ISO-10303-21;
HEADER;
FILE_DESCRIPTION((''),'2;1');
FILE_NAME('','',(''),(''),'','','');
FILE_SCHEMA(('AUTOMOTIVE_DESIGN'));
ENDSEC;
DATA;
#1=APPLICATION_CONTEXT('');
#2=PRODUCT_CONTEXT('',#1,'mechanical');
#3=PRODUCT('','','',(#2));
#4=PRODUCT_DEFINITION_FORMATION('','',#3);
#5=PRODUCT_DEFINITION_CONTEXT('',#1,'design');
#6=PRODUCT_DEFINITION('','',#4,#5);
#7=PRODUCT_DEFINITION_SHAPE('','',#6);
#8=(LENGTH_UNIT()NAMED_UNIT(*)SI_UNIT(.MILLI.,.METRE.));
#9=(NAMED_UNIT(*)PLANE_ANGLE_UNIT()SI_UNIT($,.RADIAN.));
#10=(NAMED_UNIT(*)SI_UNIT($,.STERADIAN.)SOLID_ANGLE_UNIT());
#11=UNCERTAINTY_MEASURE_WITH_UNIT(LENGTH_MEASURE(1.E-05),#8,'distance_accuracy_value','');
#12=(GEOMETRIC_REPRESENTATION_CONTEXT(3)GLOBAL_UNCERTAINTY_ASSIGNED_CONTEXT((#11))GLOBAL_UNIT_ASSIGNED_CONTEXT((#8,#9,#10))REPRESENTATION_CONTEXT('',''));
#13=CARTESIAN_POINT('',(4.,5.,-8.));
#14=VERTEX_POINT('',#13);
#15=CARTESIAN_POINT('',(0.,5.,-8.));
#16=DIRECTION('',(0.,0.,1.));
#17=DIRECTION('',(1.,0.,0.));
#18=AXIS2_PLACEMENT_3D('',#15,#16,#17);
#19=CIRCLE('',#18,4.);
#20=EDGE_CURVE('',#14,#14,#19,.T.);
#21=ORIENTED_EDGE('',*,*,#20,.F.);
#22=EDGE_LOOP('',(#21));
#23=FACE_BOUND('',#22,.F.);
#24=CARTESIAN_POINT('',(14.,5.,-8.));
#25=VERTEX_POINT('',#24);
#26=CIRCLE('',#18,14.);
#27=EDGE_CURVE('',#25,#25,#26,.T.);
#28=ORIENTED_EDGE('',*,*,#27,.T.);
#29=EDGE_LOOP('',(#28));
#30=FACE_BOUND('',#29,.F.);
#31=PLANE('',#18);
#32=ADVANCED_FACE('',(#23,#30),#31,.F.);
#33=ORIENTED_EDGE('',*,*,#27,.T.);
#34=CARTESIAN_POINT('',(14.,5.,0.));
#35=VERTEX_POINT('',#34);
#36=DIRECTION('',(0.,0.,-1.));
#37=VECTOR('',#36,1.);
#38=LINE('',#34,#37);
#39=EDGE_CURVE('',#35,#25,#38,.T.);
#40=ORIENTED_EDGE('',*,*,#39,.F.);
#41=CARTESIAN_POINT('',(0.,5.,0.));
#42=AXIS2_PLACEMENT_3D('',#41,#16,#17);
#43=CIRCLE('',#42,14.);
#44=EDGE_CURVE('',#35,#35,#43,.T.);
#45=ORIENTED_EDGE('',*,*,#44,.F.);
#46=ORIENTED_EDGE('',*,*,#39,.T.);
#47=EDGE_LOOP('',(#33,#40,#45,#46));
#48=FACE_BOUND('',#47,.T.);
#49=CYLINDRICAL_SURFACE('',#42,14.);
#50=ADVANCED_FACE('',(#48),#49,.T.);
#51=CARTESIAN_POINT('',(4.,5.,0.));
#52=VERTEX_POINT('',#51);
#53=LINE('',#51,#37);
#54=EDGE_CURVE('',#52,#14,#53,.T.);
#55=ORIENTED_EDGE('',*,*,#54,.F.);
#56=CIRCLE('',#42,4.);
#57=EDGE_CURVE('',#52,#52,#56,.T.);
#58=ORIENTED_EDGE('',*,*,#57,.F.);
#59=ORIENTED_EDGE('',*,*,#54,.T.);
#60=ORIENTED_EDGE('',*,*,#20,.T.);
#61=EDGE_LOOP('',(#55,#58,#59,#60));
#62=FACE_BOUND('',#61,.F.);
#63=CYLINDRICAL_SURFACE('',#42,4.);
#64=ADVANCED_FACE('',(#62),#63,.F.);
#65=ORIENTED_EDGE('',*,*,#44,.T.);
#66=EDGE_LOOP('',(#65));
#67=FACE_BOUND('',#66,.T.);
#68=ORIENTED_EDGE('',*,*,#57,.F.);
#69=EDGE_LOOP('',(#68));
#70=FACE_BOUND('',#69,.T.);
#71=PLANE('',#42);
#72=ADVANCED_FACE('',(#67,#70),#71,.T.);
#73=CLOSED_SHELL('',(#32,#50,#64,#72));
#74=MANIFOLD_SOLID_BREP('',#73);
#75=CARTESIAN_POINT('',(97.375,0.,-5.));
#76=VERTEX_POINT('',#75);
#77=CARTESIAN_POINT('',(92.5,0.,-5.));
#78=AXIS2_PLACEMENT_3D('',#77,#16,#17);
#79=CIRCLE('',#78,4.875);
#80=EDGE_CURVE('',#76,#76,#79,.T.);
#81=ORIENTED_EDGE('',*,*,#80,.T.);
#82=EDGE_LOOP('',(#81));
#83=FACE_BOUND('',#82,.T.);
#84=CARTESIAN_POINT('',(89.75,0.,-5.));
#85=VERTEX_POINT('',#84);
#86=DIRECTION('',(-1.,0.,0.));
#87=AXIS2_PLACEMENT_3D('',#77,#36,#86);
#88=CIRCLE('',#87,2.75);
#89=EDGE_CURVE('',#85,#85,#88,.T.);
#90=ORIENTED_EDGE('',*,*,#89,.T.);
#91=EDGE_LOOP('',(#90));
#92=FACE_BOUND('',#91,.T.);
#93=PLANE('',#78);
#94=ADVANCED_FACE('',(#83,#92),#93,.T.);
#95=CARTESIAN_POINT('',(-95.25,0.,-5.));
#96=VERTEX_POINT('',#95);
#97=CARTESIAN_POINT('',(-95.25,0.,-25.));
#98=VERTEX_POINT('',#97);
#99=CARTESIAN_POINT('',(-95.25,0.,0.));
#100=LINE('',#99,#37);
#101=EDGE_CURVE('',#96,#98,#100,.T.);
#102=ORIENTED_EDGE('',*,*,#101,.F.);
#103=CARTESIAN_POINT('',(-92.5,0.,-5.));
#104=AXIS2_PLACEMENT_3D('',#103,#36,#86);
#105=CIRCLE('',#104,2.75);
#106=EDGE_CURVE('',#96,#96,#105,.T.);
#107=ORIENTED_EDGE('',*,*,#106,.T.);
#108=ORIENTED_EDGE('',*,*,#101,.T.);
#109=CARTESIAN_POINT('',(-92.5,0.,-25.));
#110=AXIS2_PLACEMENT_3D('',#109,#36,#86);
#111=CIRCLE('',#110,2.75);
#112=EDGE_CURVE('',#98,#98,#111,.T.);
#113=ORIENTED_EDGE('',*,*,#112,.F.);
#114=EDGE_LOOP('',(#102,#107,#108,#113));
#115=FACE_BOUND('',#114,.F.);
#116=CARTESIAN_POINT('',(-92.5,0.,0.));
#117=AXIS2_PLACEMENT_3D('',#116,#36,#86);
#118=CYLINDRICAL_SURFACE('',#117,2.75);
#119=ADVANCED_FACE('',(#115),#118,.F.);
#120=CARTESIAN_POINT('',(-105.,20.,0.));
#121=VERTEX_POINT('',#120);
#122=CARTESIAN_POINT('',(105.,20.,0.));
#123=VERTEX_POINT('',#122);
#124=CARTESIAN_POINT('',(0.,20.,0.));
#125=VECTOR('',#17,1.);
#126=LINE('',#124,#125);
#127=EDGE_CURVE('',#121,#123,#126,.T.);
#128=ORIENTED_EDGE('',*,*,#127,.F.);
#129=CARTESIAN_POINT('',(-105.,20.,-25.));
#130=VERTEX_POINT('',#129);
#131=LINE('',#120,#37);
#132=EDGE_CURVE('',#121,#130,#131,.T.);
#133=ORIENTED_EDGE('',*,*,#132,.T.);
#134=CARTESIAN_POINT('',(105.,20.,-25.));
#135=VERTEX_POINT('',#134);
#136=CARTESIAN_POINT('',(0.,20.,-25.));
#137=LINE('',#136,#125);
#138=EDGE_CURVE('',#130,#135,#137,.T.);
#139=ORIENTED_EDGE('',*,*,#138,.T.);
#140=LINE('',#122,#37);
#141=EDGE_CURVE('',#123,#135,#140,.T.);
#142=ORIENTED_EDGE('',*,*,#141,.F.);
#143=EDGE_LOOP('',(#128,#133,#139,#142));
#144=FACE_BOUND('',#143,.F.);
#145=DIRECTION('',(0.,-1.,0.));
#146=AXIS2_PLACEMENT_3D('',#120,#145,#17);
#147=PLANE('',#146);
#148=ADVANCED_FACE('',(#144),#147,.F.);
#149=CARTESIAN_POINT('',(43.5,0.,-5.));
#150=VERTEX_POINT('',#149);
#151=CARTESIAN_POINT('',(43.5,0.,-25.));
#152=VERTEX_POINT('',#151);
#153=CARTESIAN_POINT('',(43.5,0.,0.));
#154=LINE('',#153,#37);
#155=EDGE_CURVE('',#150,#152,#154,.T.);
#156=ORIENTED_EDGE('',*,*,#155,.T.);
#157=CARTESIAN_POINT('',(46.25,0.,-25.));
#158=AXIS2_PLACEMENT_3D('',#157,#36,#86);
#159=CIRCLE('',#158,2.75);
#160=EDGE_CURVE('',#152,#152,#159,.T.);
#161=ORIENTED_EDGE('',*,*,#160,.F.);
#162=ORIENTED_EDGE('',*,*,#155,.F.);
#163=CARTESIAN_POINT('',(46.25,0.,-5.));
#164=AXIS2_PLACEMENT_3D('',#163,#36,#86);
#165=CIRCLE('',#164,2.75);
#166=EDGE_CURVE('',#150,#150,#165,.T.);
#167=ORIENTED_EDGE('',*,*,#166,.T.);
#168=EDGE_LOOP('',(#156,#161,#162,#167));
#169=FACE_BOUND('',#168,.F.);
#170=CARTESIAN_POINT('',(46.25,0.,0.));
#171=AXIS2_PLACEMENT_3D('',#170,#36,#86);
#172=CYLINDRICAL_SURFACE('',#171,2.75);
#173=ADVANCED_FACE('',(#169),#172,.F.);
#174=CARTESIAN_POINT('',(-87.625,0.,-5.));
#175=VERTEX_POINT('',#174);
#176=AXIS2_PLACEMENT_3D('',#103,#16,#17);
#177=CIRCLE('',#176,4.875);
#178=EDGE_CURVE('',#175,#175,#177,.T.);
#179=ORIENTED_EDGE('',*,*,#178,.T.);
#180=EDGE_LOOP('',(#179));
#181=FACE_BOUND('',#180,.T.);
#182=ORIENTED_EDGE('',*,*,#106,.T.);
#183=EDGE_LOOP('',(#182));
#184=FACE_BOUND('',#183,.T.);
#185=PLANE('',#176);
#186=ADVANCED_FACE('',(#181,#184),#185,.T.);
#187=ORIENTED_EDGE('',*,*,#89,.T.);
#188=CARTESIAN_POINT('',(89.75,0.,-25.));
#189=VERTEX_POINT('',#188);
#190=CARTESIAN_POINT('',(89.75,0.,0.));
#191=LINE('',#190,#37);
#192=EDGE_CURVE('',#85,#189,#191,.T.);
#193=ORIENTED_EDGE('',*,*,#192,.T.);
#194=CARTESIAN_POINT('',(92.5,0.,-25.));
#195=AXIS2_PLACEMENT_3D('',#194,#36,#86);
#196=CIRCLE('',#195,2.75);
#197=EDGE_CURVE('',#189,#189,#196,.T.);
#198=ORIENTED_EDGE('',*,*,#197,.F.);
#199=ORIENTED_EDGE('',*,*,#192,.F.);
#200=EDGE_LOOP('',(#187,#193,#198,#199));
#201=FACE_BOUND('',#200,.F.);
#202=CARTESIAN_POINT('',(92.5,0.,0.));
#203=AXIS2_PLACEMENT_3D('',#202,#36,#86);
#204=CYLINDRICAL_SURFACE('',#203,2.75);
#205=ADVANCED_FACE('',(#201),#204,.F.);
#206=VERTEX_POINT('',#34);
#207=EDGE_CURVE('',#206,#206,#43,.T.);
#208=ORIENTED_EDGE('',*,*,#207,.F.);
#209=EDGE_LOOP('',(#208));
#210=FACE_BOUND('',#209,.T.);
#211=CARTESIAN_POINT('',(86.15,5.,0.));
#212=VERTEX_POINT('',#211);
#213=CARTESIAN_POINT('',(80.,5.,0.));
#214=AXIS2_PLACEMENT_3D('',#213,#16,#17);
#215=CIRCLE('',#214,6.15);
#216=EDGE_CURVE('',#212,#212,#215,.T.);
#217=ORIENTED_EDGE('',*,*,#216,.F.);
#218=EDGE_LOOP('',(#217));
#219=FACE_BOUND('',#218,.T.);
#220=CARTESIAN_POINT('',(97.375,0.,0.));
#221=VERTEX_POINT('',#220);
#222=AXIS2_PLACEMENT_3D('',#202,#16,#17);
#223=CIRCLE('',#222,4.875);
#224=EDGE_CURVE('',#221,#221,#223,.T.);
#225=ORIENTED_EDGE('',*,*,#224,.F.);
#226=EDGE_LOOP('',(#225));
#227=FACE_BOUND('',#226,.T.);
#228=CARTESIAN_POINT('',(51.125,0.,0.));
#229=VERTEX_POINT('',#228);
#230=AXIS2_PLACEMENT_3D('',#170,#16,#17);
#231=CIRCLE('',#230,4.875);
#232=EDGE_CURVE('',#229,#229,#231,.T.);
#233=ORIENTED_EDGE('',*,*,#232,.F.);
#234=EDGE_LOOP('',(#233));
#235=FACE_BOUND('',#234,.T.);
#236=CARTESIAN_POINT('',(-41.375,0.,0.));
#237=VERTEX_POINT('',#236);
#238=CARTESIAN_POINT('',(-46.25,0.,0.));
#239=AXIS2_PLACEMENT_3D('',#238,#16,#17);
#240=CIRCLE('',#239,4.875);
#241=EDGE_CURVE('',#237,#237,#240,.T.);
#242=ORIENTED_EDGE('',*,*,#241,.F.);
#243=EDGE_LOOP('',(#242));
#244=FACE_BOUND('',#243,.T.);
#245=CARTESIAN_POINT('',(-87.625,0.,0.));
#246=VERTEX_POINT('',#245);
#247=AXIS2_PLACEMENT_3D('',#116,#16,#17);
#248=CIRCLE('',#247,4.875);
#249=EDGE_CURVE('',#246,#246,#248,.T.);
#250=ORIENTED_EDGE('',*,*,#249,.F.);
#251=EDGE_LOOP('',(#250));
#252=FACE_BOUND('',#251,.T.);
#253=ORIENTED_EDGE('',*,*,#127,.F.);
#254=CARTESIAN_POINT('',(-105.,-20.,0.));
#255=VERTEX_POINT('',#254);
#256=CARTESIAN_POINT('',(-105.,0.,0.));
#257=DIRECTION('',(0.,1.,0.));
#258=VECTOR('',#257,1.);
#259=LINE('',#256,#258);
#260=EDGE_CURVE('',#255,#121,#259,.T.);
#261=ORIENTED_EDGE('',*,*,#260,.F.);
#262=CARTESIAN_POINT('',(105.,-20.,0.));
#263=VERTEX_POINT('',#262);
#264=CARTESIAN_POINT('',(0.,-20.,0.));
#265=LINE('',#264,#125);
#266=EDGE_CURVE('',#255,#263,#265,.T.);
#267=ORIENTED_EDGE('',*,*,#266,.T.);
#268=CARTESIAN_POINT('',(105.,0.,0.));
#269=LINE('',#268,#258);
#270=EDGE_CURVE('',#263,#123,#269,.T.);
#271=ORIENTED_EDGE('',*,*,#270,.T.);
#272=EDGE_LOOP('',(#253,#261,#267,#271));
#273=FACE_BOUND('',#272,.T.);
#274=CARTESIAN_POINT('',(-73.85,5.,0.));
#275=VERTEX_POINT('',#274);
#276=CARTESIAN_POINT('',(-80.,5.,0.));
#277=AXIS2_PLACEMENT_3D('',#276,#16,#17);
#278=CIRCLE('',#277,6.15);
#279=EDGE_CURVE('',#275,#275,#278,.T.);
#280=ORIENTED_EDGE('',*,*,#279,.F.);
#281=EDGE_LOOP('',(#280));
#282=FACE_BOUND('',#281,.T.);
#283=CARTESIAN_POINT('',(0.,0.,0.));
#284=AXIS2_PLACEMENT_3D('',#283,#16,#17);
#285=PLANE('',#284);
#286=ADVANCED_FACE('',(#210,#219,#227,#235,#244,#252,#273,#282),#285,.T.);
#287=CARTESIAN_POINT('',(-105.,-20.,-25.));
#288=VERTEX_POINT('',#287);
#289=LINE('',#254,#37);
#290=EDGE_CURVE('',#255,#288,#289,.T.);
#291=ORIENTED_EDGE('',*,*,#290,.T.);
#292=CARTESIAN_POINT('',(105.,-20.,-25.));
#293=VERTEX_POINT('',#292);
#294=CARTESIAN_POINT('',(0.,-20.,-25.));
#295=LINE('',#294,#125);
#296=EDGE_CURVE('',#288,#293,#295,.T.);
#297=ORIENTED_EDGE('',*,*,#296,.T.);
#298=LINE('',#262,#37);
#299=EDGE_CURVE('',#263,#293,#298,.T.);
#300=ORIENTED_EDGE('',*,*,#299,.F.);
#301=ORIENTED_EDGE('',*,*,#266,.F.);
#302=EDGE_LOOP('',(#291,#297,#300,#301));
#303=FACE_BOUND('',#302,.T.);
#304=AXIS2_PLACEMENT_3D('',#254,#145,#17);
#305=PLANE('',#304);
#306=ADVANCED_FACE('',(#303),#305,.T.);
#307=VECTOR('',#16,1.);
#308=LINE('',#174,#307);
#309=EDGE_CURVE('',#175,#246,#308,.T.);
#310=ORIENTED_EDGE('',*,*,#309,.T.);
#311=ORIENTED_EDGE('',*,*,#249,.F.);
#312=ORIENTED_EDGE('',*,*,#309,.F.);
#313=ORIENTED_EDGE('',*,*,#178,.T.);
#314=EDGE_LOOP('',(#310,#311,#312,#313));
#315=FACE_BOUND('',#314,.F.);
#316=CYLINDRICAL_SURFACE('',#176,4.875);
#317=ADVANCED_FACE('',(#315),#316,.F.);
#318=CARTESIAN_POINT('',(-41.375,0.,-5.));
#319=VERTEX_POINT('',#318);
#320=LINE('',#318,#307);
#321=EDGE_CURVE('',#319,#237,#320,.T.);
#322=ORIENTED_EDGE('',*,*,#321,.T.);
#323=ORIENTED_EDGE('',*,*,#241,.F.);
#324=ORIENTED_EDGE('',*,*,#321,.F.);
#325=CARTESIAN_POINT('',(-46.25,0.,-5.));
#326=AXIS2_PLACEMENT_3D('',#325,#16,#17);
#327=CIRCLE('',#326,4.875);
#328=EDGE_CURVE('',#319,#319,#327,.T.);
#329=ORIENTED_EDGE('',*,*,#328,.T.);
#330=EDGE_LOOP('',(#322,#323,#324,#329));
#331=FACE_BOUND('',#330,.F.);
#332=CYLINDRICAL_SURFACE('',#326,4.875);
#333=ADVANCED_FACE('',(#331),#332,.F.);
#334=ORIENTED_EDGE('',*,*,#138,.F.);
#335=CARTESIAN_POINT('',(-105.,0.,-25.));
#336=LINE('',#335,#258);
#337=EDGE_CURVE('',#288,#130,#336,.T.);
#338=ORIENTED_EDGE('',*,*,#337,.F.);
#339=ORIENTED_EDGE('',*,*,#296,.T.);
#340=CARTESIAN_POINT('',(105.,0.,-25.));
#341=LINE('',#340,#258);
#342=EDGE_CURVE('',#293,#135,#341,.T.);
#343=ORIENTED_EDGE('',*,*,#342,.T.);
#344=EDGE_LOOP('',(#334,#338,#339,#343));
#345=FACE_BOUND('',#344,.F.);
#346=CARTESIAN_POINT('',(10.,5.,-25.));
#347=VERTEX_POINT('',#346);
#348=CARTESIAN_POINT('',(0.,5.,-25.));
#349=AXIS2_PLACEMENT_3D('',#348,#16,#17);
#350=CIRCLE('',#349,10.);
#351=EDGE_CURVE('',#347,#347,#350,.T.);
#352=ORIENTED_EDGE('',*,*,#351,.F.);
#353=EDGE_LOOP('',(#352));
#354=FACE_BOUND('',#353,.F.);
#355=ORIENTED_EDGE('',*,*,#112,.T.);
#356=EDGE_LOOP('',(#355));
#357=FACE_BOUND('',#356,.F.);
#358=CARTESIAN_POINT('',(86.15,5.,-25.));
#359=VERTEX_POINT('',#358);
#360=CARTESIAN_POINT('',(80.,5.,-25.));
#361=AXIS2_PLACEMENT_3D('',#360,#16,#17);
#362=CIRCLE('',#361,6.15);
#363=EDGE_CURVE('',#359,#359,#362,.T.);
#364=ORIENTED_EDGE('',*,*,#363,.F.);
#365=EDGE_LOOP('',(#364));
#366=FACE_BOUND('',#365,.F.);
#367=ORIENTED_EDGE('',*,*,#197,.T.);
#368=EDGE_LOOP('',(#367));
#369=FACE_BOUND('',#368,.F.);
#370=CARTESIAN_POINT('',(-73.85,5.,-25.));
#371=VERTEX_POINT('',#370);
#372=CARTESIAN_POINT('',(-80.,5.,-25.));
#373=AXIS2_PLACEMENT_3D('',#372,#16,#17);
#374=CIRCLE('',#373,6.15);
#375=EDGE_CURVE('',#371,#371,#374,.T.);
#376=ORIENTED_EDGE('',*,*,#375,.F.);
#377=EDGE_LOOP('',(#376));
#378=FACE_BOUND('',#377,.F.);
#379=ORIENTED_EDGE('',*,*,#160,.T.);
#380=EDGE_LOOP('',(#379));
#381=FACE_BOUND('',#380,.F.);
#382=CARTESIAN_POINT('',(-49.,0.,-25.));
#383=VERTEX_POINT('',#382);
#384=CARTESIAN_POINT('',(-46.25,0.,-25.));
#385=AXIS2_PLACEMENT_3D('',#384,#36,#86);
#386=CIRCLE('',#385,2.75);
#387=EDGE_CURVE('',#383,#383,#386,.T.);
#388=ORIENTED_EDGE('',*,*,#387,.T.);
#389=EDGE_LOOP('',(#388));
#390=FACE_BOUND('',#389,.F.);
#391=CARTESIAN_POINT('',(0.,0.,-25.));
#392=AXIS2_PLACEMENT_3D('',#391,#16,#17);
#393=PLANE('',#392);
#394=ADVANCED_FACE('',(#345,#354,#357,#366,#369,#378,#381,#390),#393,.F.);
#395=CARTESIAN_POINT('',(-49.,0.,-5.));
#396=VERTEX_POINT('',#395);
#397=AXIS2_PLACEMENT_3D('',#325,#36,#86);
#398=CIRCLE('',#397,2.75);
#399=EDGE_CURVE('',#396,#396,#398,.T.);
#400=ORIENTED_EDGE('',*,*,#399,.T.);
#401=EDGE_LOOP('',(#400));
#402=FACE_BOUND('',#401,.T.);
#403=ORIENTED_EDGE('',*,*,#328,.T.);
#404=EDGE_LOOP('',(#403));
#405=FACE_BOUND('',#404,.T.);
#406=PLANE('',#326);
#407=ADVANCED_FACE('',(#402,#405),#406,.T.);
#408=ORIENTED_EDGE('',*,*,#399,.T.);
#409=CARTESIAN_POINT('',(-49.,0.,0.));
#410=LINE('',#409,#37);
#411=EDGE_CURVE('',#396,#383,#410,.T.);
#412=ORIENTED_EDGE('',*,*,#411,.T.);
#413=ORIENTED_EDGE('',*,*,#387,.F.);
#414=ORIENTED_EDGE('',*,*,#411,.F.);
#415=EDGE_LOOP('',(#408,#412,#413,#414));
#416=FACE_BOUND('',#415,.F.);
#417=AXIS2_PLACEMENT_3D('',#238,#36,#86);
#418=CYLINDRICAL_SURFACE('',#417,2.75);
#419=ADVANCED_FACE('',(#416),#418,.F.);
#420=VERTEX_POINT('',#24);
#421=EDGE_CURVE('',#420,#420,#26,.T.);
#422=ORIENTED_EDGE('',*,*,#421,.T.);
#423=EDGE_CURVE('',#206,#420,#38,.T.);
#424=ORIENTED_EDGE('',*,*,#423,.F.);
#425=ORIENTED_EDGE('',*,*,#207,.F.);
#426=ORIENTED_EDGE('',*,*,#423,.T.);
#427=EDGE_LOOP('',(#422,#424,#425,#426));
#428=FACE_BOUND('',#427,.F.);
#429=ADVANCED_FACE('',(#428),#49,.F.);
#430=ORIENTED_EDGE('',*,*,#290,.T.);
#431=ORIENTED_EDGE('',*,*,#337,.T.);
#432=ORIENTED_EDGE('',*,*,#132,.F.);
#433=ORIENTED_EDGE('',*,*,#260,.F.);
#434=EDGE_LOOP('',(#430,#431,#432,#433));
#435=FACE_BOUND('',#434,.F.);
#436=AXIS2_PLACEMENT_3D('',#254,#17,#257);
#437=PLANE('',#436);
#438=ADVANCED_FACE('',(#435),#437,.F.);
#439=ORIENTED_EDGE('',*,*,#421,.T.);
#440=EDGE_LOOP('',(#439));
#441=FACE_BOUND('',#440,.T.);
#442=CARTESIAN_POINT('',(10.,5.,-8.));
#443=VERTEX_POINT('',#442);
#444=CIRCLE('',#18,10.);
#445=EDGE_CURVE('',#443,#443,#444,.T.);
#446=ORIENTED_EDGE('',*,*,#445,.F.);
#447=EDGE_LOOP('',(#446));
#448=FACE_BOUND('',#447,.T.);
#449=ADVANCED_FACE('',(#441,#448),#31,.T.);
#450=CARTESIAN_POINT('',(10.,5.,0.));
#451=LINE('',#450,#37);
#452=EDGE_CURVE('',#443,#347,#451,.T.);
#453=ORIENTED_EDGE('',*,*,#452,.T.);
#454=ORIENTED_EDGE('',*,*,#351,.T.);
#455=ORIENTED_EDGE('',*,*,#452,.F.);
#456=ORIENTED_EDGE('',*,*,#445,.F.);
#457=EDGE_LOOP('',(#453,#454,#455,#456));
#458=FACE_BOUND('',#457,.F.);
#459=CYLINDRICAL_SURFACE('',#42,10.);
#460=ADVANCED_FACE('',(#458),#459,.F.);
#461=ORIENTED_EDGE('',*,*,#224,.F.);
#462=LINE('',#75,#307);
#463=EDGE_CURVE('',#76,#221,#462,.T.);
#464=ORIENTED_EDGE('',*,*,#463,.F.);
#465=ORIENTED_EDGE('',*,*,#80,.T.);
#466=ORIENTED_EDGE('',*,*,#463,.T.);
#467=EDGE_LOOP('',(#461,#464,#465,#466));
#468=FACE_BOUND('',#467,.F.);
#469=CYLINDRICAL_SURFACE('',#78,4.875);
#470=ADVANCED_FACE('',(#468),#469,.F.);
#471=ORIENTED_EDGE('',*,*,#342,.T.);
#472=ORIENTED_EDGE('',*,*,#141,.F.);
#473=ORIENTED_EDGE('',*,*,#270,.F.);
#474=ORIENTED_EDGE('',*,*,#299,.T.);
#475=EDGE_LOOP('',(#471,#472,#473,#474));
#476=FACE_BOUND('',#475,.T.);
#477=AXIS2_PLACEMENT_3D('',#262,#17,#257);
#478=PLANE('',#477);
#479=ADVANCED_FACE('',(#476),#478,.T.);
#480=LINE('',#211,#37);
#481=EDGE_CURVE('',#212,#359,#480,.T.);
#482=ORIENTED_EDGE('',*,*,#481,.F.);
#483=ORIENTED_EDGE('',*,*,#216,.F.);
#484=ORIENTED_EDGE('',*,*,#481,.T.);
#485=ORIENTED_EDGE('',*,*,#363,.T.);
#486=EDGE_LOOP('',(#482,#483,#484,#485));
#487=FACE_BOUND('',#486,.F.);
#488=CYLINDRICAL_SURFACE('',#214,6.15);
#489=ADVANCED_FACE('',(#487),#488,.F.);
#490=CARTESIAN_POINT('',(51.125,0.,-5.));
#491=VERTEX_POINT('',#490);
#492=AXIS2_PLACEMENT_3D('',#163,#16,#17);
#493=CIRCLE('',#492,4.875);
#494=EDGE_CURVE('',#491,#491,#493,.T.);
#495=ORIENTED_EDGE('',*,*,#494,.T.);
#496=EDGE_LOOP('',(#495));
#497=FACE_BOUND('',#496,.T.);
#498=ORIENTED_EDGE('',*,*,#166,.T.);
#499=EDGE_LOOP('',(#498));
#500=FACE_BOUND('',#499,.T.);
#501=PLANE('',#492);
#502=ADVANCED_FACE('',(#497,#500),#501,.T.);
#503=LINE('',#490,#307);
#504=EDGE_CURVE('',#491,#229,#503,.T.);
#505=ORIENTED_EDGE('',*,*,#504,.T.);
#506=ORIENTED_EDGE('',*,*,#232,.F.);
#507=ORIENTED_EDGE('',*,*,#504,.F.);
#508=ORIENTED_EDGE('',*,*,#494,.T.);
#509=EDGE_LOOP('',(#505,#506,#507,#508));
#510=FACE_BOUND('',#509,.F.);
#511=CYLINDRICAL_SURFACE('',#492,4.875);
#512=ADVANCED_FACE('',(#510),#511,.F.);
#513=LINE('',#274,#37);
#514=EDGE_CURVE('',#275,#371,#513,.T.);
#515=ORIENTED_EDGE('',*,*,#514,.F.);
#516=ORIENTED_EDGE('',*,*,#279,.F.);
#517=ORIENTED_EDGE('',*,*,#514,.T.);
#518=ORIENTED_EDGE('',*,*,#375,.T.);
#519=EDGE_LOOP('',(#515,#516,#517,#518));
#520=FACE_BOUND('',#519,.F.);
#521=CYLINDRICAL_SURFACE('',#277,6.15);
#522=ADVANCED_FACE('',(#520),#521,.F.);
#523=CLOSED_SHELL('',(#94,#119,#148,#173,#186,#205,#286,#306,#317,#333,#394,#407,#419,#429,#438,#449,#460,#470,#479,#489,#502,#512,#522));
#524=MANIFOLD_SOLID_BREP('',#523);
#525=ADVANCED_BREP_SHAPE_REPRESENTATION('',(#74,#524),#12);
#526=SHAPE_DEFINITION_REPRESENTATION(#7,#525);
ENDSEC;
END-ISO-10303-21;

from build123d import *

# Parameters (mm, degrees)
F0_W           = 210
F0_H           = 40
F0_R           = 6.15
F0_R_2         = 14
F0_R_3         = 10
F1_DEPTH       = 25
F2_DEPTH       = 8
F3_D           = 5.5
F3_CBORE_D     = 9.75
F3_CBORE_DEPTH = 5
F0_R_4         = 4
F4_DEPTH       = 8


with BuildPart() as f1:
    # F0 (on Top) → F1 (new body)
    with BuildSketch(Plane.XY):
        Rectangle(F0_W, F0_H)
        with Locations((-80, 5)):
            Circle(F0_R, mode=Mode.SUBTRACT)
        with Locations((0, 5)):
            Circle(F0_R_2, mode=Mode.SUBTRACT)
        with Locations((80, 5)):
            Circle(F0_R, mode=Mode.SUBTRACT)
        with Locations((0, 5)):
            Circle(F0_R_2)
        with Locations((0, 5)):
            Circle(F0_R_3, mode=Mode.SUBTRACT)
    extrude(amount=-F1_DEPTH)

    # F0 (on Top) → F2 (cut)
    with BuildSketch(Plane.XY):
        with Locations((0, 5)):
            Circle(F0_R_2)
        with Locations((0, 5)):
            Circle(F0_R_3, mode=Mode.SUBTRACT)
    extrude(amount=-F2_DEPTH, mode=Mode.SUBTRACT)

    # F3 (through all)
    with Locations(Plane.XY):
        with Locations((-92.5, 0), (-46.25, 0), (46.25, 0), (92.5, 0)):
            CounterBoreHole(F3_D / 2, F3_CBORE_D / 2, F3_CBORE_DEPTH)


with BuildPart() as f4:
    # F0 (on Top) → F4 (new body)
    with BuildSketch(Plane.XY):
        with Locations((0, 5)):
            Circle(F0_R_2)
        with Locations((0, 5)):
            Circle(F0_R_3, mode=Mode.SUBTRACT)
        with Locations((0, 5)):
            Circle(F0_R_3)
        with Locations((0, 5)):
            Circle(F0_R_4, mode=Mode.SUBTRACT)
    extrude(amount=-F4_DEPTH)


solid = Compound([f1.part, f4.part])
